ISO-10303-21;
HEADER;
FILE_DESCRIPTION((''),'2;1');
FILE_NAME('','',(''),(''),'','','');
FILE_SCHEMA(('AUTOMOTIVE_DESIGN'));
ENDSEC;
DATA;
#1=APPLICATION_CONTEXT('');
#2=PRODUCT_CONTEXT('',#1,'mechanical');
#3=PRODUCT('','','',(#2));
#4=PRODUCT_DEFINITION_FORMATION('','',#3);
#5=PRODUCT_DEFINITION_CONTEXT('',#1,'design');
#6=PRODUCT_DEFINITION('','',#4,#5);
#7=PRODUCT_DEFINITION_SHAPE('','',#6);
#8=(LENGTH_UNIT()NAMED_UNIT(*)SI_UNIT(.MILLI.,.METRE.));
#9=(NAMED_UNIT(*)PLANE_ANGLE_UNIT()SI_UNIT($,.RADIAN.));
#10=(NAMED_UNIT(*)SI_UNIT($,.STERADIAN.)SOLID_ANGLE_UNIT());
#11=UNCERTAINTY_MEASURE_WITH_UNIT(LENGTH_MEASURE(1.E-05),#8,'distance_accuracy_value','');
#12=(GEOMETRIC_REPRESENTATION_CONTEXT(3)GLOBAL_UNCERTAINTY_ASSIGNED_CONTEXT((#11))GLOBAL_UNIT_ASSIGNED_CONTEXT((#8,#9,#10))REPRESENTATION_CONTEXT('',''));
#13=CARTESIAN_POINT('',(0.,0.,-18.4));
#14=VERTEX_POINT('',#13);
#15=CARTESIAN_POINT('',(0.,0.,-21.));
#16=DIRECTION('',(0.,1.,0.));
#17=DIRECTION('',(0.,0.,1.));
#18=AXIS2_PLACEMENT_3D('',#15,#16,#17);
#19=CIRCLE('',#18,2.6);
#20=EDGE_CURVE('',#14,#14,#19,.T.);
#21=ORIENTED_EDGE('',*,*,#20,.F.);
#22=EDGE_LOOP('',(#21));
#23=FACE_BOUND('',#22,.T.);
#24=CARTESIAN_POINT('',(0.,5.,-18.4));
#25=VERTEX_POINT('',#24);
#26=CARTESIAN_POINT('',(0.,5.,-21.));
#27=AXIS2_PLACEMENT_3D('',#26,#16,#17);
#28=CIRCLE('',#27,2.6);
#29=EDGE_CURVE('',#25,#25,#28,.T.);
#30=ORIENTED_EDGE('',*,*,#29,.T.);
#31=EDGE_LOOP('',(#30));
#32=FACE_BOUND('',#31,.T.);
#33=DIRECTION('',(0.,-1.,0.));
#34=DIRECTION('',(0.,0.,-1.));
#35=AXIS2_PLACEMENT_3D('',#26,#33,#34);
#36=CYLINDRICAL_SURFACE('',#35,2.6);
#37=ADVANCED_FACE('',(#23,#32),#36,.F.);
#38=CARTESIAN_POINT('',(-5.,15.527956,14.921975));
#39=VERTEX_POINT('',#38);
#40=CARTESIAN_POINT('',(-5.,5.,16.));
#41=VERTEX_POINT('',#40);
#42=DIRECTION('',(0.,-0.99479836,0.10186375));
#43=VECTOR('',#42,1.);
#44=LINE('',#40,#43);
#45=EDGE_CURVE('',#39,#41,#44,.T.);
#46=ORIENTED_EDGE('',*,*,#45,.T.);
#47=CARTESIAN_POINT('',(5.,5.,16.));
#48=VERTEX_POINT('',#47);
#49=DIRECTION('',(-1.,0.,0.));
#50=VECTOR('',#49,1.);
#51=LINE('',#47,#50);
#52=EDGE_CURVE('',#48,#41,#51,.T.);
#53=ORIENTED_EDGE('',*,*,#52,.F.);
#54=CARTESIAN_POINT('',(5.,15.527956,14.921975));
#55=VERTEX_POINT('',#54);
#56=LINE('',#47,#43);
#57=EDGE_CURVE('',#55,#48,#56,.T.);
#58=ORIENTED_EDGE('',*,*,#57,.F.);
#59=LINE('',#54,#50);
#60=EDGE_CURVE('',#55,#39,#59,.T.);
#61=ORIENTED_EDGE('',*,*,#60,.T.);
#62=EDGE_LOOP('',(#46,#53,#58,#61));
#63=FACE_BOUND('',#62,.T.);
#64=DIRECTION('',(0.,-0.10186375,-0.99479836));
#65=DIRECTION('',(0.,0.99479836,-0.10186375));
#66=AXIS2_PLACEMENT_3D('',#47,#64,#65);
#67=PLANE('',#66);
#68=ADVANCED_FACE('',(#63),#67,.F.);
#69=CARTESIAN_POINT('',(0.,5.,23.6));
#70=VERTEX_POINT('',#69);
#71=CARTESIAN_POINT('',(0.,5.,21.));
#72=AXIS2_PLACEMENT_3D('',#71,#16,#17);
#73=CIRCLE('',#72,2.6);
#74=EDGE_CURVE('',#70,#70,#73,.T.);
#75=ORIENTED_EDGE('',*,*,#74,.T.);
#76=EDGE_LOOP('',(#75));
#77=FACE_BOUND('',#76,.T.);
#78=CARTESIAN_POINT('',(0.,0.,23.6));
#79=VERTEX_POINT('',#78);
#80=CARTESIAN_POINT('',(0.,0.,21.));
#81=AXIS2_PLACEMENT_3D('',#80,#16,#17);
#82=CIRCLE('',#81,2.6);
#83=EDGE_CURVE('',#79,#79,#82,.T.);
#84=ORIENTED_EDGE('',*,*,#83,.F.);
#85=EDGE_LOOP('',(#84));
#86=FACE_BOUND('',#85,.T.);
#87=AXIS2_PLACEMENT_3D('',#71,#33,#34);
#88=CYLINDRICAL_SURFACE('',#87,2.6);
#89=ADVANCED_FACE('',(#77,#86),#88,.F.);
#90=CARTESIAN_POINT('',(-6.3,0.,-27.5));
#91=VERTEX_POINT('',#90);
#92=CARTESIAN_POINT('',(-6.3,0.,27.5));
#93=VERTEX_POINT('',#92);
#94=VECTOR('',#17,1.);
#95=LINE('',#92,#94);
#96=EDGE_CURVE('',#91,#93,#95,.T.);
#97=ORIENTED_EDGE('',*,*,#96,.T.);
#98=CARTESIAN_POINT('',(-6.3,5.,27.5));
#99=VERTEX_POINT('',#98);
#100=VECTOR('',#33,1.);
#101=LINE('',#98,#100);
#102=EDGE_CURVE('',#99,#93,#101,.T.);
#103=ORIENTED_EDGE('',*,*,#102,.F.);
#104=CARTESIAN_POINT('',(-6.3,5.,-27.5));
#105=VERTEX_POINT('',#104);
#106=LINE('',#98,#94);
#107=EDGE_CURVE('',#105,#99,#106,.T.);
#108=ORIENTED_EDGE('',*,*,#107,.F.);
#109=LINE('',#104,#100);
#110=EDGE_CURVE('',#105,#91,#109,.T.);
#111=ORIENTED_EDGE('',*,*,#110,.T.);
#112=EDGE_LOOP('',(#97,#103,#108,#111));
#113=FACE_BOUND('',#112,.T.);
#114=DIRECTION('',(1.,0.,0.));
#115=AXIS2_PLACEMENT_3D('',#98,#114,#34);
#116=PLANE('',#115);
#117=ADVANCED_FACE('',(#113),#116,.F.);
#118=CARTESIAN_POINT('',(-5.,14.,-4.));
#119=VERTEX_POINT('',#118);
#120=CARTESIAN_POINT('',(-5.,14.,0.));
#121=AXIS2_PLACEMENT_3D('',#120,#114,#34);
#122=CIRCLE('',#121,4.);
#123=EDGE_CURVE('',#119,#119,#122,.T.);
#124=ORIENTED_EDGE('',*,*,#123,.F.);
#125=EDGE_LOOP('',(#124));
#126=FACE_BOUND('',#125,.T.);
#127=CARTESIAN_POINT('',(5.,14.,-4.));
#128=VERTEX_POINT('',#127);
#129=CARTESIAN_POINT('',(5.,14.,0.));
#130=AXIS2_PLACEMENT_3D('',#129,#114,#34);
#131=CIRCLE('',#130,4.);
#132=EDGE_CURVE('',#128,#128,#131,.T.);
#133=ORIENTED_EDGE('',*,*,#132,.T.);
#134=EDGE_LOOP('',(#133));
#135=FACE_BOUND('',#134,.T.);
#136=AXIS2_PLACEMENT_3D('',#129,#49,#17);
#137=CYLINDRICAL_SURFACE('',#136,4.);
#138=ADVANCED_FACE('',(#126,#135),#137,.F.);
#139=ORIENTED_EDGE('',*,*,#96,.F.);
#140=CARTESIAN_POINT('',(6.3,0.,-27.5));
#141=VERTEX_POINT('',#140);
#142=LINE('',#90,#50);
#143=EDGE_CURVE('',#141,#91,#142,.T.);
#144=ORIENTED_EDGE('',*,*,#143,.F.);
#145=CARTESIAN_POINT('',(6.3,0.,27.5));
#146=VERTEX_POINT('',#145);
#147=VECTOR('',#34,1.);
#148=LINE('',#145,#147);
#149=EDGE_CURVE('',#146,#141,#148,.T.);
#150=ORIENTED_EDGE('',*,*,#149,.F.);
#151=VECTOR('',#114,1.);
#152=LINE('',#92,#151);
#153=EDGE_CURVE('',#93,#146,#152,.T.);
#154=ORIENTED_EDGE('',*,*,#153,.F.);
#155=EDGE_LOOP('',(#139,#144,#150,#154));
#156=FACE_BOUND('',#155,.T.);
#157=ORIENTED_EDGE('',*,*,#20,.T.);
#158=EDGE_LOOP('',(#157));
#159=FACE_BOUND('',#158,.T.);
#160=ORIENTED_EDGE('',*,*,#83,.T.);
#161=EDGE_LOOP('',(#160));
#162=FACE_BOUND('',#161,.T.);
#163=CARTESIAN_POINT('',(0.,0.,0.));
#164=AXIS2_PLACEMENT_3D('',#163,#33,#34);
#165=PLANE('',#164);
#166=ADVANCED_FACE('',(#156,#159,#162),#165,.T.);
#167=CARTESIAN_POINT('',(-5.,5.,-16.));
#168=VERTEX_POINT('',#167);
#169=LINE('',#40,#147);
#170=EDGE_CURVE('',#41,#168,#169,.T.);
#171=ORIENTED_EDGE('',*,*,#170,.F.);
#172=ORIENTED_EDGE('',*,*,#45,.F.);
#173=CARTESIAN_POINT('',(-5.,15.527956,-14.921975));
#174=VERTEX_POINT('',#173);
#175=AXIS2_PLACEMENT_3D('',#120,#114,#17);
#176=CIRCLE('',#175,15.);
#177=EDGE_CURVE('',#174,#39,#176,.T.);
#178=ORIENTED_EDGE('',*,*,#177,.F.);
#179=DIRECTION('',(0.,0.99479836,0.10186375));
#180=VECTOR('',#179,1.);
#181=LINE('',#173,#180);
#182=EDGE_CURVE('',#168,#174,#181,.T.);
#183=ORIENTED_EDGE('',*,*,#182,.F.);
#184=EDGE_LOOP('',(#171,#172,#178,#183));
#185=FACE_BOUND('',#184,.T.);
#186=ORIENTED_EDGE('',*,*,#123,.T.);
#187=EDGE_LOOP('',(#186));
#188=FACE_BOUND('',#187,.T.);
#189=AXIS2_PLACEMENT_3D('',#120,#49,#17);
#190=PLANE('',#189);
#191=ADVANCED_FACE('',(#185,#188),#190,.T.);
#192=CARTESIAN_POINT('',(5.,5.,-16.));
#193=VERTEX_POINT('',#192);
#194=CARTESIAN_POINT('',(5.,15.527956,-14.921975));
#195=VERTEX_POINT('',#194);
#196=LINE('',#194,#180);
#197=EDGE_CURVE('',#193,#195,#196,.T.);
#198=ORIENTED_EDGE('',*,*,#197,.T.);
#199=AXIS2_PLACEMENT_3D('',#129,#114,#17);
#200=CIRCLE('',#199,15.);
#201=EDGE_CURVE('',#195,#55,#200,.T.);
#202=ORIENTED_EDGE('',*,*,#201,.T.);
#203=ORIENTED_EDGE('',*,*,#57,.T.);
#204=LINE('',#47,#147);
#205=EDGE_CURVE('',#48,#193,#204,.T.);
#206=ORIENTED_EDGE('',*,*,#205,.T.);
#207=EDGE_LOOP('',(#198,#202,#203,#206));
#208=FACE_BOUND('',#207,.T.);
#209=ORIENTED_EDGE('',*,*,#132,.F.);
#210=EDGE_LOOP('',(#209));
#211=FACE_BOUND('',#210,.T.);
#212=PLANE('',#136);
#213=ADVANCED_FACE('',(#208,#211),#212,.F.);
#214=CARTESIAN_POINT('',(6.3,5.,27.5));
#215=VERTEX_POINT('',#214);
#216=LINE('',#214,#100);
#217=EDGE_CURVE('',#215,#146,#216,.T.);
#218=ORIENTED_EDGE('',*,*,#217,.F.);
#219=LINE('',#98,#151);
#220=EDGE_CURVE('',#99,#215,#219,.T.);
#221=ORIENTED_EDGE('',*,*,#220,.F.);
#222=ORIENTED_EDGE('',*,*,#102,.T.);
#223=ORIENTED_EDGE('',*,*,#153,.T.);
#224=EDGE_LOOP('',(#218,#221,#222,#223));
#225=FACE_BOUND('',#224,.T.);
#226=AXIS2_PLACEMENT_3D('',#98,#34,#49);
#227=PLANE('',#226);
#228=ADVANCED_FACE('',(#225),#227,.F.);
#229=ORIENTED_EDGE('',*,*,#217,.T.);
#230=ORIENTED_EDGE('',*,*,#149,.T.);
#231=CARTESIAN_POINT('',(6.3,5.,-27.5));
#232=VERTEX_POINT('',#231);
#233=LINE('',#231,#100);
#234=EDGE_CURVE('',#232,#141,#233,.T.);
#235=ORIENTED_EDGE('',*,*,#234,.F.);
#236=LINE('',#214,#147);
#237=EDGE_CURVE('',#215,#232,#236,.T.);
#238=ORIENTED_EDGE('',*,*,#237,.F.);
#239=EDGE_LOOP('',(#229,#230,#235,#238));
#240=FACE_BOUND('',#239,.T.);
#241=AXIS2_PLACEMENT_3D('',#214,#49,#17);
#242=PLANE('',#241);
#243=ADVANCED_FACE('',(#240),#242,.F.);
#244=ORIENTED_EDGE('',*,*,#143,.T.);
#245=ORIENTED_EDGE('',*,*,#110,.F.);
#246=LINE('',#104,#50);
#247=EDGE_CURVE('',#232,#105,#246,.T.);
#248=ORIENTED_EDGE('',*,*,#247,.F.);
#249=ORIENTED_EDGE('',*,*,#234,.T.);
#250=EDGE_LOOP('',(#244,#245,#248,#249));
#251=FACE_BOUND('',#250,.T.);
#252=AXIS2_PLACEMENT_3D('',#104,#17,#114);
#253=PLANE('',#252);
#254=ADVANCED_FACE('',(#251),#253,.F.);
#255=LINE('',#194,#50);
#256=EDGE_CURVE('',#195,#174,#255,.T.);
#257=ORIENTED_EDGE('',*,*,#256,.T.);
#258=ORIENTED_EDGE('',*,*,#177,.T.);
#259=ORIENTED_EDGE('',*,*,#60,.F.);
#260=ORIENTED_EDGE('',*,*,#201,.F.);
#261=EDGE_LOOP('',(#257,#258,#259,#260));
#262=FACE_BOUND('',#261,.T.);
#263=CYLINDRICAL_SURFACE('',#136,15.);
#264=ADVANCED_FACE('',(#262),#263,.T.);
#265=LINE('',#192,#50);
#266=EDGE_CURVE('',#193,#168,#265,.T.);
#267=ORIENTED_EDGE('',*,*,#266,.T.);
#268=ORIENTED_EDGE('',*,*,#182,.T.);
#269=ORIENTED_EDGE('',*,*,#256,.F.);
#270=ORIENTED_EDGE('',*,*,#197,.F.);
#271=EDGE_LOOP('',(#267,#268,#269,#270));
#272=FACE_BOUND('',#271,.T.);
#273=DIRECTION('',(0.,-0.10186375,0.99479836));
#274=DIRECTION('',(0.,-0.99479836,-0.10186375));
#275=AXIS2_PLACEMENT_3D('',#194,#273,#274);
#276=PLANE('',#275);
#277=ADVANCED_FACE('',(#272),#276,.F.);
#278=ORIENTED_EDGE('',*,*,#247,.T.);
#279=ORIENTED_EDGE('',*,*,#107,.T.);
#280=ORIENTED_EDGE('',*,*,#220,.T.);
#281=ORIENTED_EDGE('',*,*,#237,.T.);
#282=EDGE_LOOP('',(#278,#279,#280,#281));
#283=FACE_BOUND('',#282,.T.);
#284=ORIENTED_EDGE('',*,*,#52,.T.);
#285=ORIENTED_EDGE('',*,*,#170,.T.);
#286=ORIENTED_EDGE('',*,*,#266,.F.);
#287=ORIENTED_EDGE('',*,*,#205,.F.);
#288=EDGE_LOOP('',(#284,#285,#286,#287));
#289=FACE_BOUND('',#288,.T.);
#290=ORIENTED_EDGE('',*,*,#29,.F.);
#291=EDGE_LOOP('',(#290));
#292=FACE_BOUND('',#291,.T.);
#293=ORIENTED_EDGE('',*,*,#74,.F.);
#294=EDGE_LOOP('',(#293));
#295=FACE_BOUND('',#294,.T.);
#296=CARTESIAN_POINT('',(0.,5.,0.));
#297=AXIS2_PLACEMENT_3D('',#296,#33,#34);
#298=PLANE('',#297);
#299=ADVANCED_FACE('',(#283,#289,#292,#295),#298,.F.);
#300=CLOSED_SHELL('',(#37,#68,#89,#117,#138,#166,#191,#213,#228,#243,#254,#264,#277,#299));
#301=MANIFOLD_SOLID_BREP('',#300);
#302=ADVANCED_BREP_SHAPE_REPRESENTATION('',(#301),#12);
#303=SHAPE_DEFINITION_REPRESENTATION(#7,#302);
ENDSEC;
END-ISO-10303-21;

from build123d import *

# Parameters (mm, degrees)
SKETCH_1_W      = 12.6
SKETCH_1_H      = 55
SKETCH_1_R      = 2.6
EXTRUDE_1_DEPTH = 5
SKETCH_2_R      = 4
EXTRUDE_2_DEPTH = 5


with BuildPart() as part:
    # 草图1 → 凸台-拉伸1 (new body)
    with BuildSketch(Plane(origin=(0, 0, 0), x_dir=(1, 0, 0), z_dir=(0, 1, 0))):
        Rectangle(SKETCH_1_W, SKETCH_1_H)
        with Locations(Location((0, 21, 0), (0, 0, 270))):
            Circle(SKETCH_1_R, mode=Mode.SUBTRACT)
        with Locations(Location((0, -21, 0), (0, 0, 270))):
            Circle(SKETCH_1_R, mode=Mode.SUBTRACT)
    extrude(amount=EXTRUDE_1_DEPTH)

    # 草图2 → 凸台-拉伸2 (add, symmetric)
    with BuildSketch(Plane(origin=(0, 0, 0), x_dir=(0, 0, -1), z_dir=(1, 0, 0))):
        with BuildLine():
            Line((-16, 5), (-14.921975395, 15.527956257))
            ThreePointArc((-14.921975395, 15.527956257), (0, 29), (14.921975395, 15.527956257))
            Line((14.921975395, 15.527956257), (16, 5))
            Line((16, 5), (-16, 5))
        make_face()
        with Locations((0, 14)):
            Circle(SKETCH_2_R, mode=Mode.SUBTRACT)
    extrude(amount=EXTRUDE_2_DEPTH, both=True)


solid = part.part
